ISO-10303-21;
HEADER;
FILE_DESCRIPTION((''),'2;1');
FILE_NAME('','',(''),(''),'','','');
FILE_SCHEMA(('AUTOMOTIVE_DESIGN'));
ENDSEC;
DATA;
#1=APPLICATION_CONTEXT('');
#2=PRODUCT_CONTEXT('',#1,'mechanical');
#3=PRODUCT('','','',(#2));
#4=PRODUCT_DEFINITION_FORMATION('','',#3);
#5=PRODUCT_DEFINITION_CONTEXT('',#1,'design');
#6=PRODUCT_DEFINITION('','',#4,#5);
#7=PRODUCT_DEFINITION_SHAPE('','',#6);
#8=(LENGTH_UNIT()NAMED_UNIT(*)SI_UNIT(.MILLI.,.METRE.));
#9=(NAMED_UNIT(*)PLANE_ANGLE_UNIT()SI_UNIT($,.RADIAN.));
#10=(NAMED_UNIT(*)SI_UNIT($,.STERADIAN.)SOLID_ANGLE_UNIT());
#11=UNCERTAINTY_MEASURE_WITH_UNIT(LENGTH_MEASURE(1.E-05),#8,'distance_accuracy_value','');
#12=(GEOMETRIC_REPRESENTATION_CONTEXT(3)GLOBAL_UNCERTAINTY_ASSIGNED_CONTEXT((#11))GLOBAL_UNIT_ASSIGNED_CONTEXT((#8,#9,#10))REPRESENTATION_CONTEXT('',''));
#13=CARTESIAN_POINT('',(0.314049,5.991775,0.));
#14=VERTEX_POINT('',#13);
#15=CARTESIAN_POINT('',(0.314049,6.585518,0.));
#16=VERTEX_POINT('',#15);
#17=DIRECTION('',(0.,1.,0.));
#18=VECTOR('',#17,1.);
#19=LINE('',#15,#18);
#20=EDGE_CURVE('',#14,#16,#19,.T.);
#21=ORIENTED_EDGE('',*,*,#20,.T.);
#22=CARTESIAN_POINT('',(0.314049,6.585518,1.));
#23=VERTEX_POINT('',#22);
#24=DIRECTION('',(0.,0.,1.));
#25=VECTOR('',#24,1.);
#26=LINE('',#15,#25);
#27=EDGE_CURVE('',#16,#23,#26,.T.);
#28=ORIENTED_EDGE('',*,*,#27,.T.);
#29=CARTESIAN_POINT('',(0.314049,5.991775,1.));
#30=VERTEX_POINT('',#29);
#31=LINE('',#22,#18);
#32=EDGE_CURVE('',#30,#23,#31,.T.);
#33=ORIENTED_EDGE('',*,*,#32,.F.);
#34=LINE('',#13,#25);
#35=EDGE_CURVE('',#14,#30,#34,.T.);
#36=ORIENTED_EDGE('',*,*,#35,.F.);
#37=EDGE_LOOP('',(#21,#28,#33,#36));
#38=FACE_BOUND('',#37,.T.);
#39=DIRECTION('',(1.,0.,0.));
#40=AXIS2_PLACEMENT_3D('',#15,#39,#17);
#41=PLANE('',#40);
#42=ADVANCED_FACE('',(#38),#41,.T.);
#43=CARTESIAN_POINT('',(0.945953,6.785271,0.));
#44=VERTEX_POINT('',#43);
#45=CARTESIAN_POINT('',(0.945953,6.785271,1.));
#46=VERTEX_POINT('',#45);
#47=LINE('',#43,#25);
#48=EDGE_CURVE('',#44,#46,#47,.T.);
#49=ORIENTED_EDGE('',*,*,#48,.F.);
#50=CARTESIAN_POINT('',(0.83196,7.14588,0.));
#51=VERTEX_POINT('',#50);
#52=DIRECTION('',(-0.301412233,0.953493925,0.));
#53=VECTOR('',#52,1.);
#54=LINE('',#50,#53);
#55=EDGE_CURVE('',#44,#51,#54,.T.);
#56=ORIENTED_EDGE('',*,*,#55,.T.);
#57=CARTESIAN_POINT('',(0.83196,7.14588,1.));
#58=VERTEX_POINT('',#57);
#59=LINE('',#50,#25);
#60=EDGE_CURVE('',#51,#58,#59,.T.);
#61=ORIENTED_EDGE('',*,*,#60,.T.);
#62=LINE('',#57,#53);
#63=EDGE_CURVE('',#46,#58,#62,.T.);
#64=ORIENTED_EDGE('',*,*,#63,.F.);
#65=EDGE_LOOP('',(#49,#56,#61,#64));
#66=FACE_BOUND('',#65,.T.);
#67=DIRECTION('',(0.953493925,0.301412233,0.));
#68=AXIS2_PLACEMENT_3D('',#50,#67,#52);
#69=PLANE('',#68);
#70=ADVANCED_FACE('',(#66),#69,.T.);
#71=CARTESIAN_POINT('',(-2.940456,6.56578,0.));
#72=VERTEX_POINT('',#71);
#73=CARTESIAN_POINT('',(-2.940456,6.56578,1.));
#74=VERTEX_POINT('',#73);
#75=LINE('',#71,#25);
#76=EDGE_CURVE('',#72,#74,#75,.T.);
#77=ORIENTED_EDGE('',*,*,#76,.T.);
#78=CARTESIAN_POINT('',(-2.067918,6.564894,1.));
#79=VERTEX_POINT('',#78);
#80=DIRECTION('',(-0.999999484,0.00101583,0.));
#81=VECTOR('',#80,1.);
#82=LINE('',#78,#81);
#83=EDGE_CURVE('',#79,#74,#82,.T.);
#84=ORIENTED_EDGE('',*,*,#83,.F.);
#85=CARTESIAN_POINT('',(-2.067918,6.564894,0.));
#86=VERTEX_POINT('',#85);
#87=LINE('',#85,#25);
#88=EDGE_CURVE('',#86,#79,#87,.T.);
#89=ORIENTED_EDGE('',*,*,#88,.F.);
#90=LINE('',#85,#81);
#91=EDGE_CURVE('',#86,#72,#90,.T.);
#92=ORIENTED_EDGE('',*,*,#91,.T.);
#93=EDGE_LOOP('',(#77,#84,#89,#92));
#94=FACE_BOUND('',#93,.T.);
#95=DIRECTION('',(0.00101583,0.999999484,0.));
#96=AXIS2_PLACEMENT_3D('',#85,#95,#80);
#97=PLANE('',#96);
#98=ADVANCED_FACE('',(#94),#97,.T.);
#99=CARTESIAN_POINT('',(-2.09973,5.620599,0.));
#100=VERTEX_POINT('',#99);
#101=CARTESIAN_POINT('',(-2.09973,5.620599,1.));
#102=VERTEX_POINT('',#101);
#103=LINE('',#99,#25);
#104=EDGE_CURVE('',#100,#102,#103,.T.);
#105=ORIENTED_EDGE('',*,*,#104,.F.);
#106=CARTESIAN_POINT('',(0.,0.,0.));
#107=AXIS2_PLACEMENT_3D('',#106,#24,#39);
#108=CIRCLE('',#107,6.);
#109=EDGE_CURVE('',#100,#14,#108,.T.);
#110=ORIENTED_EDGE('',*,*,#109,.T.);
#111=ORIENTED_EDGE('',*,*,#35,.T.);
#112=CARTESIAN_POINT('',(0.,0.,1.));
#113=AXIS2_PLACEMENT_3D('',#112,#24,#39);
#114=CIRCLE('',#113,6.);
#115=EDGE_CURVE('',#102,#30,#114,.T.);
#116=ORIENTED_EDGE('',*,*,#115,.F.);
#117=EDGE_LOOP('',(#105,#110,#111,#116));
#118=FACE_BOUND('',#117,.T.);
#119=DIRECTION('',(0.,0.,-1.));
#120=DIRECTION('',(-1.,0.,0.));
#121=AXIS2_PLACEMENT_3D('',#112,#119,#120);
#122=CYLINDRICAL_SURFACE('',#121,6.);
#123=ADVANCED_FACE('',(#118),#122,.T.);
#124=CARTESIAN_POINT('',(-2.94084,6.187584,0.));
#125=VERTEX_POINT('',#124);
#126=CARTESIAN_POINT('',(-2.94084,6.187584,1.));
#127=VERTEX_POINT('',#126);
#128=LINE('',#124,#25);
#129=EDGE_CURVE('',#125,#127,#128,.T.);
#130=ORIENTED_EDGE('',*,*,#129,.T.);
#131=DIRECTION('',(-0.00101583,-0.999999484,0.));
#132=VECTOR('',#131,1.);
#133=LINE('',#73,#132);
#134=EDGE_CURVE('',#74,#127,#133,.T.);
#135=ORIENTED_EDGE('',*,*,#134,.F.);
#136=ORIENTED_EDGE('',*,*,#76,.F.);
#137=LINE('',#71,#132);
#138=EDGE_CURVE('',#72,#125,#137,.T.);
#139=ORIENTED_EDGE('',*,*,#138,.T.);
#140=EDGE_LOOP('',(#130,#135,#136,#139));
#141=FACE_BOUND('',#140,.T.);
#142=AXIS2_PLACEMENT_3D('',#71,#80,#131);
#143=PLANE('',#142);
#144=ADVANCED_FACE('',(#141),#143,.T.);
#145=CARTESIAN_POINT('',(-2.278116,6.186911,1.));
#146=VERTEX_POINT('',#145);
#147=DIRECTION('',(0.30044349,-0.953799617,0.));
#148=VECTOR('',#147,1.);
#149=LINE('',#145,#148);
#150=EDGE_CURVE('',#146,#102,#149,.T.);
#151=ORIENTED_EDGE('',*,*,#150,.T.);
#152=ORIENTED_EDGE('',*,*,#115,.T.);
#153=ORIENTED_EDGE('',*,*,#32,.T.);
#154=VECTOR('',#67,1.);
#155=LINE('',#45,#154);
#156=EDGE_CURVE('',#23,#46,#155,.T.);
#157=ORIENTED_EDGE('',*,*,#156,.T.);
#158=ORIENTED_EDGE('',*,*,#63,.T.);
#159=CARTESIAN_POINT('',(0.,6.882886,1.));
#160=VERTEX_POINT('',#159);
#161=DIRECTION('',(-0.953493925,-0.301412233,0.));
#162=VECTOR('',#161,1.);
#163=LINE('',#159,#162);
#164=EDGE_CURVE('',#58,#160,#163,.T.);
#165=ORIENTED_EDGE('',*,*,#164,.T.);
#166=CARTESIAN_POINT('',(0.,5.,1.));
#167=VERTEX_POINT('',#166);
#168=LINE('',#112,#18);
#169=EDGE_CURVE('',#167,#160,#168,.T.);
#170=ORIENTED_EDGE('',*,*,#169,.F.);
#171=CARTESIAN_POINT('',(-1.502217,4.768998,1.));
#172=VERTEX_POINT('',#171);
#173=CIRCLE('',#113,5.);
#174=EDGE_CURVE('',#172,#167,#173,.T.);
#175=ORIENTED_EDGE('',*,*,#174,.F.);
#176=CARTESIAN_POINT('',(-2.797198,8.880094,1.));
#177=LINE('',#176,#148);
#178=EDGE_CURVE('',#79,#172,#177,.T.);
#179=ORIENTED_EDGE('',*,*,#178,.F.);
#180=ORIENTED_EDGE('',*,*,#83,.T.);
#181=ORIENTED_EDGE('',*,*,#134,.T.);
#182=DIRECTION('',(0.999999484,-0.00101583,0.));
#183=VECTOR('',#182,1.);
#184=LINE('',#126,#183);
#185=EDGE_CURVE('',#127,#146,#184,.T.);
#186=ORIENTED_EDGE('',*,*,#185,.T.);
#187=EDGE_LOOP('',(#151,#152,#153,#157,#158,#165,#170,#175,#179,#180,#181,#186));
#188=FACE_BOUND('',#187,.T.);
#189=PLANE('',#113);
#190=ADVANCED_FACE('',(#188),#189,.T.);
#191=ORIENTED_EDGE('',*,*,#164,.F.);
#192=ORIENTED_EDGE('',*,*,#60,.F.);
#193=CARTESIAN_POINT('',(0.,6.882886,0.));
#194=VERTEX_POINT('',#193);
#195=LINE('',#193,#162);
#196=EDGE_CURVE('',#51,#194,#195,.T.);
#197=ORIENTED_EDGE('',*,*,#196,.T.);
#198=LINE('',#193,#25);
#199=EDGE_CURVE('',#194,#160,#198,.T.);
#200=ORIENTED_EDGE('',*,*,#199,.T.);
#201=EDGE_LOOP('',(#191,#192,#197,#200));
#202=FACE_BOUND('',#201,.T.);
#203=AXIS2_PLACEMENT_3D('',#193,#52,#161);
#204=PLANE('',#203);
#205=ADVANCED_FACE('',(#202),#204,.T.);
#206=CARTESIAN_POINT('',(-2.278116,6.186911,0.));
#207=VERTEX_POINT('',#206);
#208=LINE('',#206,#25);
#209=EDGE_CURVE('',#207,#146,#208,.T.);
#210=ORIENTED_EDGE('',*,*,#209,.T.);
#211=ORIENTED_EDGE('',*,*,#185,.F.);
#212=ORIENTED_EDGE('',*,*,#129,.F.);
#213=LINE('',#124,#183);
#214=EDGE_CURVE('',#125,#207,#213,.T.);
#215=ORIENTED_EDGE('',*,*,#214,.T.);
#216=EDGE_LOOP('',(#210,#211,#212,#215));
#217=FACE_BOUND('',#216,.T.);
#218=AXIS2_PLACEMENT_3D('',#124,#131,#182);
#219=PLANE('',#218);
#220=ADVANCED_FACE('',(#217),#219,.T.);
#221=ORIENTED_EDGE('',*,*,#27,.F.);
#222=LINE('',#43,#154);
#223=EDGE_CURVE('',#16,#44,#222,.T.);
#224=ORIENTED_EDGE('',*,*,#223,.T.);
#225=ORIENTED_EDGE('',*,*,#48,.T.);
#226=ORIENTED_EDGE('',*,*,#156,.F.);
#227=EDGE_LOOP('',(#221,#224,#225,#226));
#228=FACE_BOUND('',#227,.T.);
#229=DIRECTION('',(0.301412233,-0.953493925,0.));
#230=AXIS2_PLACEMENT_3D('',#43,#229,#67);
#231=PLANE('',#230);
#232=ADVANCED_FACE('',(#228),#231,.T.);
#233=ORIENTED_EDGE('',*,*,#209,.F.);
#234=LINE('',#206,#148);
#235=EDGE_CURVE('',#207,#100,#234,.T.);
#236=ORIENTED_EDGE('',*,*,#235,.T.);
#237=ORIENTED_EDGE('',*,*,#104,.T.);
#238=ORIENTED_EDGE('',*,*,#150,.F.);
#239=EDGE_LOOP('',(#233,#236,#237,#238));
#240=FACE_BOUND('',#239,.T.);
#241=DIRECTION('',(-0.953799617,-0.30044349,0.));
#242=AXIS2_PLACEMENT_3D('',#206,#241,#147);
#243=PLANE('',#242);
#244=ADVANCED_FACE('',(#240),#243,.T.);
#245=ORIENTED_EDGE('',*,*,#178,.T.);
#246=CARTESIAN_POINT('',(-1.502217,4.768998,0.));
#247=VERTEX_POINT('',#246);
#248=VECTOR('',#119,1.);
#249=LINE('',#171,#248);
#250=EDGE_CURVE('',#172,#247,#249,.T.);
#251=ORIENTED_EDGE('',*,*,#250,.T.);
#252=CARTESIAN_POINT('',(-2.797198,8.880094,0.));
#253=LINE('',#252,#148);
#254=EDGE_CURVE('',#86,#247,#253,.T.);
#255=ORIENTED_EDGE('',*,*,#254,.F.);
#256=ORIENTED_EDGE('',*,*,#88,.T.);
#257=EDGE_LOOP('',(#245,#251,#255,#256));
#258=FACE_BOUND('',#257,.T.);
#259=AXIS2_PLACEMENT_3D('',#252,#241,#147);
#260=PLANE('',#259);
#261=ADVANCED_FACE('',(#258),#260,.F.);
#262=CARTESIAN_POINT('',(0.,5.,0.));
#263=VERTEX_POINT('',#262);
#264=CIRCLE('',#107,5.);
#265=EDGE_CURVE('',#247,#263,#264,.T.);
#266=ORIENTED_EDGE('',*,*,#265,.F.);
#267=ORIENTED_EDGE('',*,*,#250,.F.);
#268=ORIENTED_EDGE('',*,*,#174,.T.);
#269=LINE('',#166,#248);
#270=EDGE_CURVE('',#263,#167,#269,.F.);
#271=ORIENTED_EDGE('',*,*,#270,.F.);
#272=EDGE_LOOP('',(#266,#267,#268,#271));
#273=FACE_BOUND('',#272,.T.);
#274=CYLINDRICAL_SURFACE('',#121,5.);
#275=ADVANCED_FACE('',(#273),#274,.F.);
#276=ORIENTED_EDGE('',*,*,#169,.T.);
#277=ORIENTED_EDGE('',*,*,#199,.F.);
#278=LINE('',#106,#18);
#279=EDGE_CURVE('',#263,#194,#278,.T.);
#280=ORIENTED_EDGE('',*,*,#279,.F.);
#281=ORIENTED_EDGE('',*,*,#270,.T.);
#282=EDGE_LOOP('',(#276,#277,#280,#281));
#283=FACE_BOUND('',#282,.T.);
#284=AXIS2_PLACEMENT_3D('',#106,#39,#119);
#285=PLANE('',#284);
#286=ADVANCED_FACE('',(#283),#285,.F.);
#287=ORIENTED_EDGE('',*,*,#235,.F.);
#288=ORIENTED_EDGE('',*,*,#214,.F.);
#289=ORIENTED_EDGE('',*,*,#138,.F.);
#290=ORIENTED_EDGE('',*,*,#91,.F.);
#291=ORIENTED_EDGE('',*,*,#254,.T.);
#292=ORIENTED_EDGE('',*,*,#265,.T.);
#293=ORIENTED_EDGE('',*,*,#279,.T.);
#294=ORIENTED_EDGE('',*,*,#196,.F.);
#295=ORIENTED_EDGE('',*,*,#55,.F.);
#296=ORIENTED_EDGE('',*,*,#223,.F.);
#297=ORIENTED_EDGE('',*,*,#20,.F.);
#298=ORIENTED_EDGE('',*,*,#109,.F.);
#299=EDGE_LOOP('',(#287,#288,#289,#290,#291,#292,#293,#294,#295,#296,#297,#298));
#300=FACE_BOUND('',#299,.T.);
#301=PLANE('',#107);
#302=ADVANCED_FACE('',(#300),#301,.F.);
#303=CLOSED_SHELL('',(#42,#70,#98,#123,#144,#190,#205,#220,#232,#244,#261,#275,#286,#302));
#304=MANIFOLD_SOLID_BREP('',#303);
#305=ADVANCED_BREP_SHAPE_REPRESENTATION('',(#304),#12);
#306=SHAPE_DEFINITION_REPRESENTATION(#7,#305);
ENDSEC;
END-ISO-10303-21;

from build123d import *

# Parameters (mm, degrees)
SKETCH_1_R          = 6
SKETCH_1_R_2        = 5
EXTRUDE_1_DEPTH     = 1
CUT_EXTRUDE_1_DEPTH = 1
EXTRUDE_2_DEPTH     = 1


with BuildPart() as part:
    # 草图1 → 凸台-拉伸1 (new body)
    with BuildSketch(Plane.XY):
        Circle(SKETCH_1_R)
        Circle(SKETCH_1_R_2, mode=Mode.SUBTRACT)
    extrude(amount=EXTRUDE_1_DEPTH)

    # 草图2 → 切除-拉伸1 (cut)
    with BuildSketch(Plane.XY.offset(1)):
        Polygon((0, 0), (0, 9.552056019), (-2.79719818, 8.880094398), align=None)
    extrude(amount=-CUT_EXTRUDE_1_DEPTH, mode=Mode.SUBTRACT)

    # 草图3 → 凸台-拉伸2 (add)
    with BuildSketch(Plane.XY.offset(1)):
        Polygon((0, 6), (0, 6.882885988), (0.831959966, 7.145879705), (0.94595308, 6.785271442), (0.314049211, 6.585518144), (0.314049211, 5.991775454), align=None)
        Polygon((-2.099729946, 5.620599092), (-1.80266094, 5.722797702), (-2.067918288, 6.564894019), (-2.940456135, 6.56578037), (-2.940840318, 6.187583858), (-2.278116072, 6.186910643), align=None)
    extrude(amount=-EXTRUDE_2_DEPTH)


solid = part.part
